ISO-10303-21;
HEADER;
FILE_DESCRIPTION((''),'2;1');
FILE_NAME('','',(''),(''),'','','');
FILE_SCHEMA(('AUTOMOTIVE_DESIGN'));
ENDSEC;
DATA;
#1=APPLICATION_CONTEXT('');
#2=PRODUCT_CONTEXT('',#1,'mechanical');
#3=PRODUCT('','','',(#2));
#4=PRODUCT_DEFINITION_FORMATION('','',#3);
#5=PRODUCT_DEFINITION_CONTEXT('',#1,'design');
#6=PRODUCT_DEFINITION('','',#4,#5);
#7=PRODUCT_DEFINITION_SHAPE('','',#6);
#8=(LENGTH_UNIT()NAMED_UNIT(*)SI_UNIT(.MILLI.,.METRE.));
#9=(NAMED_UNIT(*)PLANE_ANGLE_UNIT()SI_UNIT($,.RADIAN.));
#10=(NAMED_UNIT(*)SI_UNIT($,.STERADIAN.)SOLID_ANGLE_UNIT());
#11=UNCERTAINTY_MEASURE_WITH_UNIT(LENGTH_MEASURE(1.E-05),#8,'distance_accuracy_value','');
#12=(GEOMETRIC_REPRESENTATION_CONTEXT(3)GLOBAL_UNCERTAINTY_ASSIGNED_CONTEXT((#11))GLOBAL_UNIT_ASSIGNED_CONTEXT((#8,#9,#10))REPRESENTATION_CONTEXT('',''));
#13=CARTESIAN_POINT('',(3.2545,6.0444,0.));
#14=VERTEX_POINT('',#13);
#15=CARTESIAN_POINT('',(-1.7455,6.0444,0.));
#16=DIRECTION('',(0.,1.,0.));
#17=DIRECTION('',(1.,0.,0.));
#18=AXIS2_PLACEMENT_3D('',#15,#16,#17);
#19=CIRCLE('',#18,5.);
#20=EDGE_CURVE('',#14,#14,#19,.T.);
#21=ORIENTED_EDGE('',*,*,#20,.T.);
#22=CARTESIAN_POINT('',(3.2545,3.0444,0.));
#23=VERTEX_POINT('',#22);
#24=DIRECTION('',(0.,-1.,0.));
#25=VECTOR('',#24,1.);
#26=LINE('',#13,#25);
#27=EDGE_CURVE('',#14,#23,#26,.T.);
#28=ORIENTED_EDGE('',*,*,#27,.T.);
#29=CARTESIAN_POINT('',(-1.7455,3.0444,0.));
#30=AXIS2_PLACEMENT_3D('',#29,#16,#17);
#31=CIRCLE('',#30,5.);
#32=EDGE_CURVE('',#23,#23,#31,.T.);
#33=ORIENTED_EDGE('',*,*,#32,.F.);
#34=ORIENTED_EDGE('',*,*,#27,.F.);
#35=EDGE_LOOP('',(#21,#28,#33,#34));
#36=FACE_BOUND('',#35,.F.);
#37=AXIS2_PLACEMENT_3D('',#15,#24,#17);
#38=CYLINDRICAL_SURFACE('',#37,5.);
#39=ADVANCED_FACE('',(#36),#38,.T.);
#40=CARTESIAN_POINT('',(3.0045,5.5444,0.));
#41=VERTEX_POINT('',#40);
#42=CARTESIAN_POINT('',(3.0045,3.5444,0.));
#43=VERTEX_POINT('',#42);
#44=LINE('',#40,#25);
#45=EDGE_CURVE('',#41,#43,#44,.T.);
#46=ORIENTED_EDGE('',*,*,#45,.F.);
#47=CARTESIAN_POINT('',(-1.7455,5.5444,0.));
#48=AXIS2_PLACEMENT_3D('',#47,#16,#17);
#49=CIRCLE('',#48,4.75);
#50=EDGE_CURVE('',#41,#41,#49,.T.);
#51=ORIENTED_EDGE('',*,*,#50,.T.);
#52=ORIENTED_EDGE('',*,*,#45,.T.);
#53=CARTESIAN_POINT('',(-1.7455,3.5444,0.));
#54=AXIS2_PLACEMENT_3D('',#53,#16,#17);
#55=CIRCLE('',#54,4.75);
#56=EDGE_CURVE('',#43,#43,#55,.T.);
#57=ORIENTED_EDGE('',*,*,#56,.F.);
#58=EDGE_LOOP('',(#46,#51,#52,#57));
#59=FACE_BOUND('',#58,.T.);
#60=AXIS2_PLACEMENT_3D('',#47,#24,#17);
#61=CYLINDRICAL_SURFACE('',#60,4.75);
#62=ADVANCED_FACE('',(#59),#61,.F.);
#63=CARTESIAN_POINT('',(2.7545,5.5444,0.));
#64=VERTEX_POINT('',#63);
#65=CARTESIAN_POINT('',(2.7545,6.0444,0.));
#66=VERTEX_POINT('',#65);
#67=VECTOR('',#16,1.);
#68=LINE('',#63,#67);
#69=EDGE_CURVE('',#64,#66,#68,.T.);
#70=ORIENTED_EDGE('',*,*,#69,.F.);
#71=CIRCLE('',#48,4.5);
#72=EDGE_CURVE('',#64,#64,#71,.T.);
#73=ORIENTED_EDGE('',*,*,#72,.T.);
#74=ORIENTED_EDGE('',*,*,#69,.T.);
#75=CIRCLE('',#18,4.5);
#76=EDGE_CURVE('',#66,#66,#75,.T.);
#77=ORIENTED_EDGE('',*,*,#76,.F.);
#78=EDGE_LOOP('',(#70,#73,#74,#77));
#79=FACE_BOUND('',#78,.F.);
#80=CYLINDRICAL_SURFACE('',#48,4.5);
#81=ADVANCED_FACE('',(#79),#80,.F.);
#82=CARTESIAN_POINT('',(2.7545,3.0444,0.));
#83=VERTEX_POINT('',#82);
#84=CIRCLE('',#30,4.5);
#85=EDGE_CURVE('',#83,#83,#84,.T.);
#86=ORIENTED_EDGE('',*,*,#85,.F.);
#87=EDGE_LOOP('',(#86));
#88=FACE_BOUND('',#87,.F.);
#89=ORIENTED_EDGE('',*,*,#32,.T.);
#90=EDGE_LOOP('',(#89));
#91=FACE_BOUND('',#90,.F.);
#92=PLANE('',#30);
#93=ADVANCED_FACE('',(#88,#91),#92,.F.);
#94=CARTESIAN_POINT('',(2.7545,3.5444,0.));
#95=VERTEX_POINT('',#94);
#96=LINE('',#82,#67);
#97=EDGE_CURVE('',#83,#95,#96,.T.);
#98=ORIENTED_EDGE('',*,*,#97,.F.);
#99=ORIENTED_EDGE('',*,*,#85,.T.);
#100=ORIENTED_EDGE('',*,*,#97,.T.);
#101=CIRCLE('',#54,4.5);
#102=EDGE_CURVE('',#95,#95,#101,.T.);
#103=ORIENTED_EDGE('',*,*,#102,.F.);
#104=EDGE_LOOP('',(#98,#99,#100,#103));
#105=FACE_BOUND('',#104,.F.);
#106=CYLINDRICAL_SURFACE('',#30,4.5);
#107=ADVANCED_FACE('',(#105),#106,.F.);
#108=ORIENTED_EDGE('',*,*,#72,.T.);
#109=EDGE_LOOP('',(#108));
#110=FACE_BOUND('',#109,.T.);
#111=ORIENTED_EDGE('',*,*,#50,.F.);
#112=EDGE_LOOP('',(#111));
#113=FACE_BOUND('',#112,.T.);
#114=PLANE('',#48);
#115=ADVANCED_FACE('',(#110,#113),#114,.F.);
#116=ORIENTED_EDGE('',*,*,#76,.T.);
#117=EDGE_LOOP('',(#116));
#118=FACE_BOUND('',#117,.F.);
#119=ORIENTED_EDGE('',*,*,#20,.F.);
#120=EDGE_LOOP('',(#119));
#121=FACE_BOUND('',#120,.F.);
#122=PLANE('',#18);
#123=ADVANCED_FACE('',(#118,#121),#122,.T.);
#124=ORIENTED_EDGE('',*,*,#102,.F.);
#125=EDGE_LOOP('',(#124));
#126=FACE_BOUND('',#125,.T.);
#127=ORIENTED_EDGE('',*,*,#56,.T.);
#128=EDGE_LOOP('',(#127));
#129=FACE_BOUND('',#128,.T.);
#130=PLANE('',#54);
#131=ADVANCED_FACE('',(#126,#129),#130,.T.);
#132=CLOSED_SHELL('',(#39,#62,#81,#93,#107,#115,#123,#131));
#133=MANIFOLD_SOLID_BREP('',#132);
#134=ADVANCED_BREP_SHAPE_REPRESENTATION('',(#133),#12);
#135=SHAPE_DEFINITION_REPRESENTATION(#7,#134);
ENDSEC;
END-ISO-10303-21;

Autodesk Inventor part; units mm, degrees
ref_plane "YZ Plane" through (0, 0, 0) normal (1, 0, 0) x (0, 1, 0)
ref_plane "XZ Plane" through (0, 0, 0) normal (0, 1, 0) x (-1, 0, 0)
ref_plane "XY Plane" through (0, 0, 0) normal (0, 0, 1) x (1, 0, 0)
sketch "Sketch1" plane through (0, 0, 0) normal (0, 0, 1) x (1, 0, 0)
  line L0 (-1.7455, 0) -> (-1.7455, 9.9919)
  line L1 (2.7545, 5.5444) -> (2.7545, 6.0444)
  line L2 (2.7545, 6.0444) -> (3.2545, 6.0444)
  line L3 (3.2545, 6.0444) -> (3.2545, 3.0444)
  line L4 (3.2545, 3.0444) -> (2.7545, 3.0444)
  line L5 (2.7545, 3.0444) -> (2.7545, 3.5444)
  line L6 (2.7545, 5.5444) -> (3.0045, 5.5444)
  line L7 (3.0045, 5.5444) -> (3.0045, 3.5444)
  line L8 (3.0045, 3.5444) -> (2.7545, 3.5444)
  dimension "d5" = 3
  dimension "d13" = 0.25
  dimension "d14" = 10
  dimension "d15" = 0.5
  dimension "d16" = 9.5
revolve "Revolution1" add sketch "Sketch1" angle 360 about axis through (-1.7455, 0, 0) along (0, 1, 0)
properties part number "Out"
